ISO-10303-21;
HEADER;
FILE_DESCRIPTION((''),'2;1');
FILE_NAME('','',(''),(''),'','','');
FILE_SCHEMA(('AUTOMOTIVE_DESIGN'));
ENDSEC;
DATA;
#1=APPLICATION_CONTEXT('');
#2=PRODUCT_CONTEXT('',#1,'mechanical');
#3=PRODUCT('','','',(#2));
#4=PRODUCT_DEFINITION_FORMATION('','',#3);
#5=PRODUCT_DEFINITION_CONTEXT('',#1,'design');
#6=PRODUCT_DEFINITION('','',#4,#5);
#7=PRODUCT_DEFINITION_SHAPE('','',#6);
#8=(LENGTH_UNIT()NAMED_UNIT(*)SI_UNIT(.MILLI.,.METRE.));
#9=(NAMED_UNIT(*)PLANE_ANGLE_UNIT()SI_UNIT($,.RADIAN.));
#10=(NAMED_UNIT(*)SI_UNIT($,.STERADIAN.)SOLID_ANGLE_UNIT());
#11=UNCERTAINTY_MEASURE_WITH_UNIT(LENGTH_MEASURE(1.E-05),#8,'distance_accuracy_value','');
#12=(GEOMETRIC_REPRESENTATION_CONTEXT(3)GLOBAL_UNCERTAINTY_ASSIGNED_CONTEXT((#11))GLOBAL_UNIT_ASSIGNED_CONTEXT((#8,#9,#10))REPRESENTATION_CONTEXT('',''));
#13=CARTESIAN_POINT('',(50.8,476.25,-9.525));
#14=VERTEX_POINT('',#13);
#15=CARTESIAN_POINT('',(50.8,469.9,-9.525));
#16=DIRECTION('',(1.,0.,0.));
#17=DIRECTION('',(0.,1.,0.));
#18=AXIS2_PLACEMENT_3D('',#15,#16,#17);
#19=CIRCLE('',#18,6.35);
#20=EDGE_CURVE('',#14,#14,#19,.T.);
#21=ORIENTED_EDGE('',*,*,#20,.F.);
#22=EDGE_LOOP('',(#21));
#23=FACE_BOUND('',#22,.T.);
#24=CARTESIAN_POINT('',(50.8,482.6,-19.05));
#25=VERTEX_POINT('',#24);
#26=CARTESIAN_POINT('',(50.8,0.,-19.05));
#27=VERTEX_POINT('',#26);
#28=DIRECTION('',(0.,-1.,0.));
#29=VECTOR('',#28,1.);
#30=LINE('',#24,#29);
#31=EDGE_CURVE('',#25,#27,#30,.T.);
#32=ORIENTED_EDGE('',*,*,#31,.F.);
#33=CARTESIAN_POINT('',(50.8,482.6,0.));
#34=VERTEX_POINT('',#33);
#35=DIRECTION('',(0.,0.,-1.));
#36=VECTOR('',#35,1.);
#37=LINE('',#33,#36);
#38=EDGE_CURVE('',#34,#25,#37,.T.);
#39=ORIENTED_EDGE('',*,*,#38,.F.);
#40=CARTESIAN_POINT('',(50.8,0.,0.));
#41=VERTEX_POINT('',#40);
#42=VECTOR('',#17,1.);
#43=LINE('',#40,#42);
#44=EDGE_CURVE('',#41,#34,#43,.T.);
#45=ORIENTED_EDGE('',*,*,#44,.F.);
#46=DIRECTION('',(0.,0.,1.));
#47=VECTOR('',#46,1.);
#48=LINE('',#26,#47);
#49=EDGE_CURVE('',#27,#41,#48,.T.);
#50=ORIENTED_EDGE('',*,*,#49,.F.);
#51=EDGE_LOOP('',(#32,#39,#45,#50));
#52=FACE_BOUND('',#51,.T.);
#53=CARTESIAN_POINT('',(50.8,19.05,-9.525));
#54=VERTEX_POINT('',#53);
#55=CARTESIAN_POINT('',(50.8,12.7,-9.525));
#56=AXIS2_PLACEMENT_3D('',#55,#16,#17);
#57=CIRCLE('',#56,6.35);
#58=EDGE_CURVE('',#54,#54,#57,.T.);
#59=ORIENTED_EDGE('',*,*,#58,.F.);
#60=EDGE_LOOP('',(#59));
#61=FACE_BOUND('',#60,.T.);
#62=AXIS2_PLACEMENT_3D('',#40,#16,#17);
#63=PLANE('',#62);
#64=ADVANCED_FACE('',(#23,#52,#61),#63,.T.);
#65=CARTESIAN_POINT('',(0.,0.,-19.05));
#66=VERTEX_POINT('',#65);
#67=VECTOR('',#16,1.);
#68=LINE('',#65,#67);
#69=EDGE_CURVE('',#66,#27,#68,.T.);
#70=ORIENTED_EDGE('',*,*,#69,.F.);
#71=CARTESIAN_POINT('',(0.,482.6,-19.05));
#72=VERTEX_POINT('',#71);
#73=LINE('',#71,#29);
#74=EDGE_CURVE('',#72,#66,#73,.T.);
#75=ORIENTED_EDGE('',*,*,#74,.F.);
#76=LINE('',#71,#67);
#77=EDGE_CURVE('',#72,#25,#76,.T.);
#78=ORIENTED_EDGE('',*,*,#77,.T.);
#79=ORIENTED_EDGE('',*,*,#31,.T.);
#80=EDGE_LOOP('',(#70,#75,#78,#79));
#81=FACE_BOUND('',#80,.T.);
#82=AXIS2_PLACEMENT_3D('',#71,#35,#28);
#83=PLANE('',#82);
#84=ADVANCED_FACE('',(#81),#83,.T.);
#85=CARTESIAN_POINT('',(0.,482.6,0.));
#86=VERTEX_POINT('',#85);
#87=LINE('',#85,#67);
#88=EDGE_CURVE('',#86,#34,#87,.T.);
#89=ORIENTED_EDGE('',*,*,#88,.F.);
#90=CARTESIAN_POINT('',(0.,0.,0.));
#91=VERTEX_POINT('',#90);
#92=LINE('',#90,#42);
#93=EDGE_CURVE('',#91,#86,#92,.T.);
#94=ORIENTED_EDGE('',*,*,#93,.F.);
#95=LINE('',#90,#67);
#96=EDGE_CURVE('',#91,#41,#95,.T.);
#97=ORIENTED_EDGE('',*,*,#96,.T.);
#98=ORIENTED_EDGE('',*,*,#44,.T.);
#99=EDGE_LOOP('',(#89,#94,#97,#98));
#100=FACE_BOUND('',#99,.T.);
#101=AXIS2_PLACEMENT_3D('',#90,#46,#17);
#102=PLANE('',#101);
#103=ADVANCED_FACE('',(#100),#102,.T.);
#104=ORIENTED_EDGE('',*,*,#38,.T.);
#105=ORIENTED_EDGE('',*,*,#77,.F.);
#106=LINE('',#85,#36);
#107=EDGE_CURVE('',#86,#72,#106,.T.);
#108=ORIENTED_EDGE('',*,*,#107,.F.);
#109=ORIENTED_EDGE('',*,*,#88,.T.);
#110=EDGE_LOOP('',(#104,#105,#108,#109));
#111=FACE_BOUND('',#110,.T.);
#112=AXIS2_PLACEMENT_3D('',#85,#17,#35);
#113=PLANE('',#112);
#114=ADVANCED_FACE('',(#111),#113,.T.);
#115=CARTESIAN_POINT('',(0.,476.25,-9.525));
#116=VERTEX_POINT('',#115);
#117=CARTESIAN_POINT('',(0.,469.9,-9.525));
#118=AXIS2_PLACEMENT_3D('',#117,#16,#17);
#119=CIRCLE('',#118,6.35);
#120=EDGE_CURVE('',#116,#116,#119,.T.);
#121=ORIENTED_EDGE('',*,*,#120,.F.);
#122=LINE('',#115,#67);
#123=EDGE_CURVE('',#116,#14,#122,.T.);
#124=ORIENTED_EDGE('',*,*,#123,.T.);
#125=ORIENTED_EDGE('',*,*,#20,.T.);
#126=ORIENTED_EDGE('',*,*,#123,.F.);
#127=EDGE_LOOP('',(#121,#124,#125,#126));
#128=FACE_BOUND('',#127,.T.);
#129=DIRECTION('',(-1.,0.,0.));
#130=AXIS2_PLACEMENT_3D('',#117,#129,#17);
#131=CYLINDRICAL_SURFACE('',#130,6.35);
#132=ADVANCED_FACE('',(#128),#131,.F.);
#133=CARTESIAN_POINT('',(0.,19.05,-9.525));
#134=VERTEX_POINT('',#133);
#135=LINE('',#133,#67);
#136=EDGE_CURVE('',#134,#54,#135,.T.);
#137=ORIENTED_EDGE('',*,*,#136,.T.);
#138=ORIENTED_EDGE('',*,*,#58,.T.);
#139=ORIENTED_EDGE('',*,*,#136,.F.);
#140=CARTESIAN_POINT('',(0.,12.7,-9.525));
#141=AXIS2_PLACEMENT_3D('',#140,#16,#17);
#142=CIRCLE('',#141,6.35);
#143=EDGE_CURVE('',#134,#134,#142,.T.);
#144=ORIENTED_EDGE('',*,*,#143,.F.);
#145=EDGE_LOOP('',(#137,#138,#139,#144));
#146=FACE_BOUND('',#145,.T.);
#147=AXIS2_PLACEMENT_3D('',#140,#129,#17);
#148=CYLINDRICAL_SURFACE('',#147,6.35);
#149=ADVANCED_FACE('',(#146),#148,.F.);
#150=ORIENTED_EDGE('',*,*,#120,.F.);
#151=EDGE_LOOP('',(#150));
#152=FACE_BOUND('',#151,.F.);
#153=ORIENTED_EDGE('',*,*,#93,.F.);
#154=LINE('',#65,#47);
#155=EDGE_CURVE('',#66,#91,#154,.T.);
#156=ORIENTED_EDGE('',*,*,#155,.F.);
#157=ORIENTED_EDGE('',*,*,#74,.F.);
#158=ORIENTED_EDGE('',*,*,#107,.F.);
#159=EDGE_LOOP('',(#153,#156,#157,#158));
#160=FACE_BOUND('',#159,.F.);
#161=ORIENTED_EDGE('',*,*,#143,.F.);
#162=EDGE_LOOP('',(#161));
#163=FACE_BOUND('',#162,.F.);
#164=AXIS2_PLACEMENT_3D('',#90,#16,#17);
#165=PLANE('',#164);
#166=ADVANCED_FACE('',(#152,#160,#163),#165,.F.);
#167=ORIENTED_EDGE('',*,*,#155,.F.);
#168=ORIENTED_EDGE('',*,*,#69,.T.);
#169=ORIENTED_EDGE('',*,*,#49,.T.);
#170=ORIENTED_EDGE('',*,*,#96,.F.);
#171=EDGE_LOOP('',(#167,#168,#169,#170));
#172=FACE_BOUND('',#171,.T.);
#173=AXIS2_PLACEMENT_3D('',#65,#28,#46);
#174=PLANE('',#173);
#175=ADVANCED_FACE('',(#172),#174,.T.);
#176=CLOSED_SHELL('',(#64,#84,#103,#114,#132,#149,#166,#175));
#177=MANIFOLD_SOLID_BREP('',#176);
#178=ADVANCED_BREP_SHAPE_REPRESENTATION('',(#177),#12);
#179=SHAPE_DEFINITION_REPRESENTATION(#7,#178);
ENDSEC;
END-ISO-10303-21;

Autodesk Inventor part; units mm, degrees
ref_plane "YZ Plane" through (0, 0, 0) normal (1, 0, 0) x (0, 1, 0)
ref_plane "XZ Plane" through (0, 0, 0) normal (0, 1, 0) x (-1, 0, 0)
ref_plane "XY Plane" through (0, 0, 0) normal (0, 0, 1) x (1, 0, 0)
sketch "Sketch1" plane through (0, 0, 0) normal (1, 0, 0) x (0, 1, 0)
  line L0 (0, 0) -> (482.6, 0)
  line L1 (482.6, 0) -> (482.6, -19.05)
  line L2 (482.6, -19.05) -> (0, -19.05)
  line L3 (0, -19.05) -> (0, 0)
  circle A0 centre (469.9, -9.525) radius 6.35
  circle A1 centre (12.7, -9.525) radius 6.35
  dimension "d0" = 482.6
  dimension "d1" = 19.05
  dimension "d2" = 12.7
  dimension "d3" = 12.7
  dimension "d4" = 12.7
  dimension "d5" = 12.7
extrude "Extrusion1" add sketch "Sketch1" along normal blind 50.8
equation "\"d5\" = d4"
properties part number "ArmProto"
